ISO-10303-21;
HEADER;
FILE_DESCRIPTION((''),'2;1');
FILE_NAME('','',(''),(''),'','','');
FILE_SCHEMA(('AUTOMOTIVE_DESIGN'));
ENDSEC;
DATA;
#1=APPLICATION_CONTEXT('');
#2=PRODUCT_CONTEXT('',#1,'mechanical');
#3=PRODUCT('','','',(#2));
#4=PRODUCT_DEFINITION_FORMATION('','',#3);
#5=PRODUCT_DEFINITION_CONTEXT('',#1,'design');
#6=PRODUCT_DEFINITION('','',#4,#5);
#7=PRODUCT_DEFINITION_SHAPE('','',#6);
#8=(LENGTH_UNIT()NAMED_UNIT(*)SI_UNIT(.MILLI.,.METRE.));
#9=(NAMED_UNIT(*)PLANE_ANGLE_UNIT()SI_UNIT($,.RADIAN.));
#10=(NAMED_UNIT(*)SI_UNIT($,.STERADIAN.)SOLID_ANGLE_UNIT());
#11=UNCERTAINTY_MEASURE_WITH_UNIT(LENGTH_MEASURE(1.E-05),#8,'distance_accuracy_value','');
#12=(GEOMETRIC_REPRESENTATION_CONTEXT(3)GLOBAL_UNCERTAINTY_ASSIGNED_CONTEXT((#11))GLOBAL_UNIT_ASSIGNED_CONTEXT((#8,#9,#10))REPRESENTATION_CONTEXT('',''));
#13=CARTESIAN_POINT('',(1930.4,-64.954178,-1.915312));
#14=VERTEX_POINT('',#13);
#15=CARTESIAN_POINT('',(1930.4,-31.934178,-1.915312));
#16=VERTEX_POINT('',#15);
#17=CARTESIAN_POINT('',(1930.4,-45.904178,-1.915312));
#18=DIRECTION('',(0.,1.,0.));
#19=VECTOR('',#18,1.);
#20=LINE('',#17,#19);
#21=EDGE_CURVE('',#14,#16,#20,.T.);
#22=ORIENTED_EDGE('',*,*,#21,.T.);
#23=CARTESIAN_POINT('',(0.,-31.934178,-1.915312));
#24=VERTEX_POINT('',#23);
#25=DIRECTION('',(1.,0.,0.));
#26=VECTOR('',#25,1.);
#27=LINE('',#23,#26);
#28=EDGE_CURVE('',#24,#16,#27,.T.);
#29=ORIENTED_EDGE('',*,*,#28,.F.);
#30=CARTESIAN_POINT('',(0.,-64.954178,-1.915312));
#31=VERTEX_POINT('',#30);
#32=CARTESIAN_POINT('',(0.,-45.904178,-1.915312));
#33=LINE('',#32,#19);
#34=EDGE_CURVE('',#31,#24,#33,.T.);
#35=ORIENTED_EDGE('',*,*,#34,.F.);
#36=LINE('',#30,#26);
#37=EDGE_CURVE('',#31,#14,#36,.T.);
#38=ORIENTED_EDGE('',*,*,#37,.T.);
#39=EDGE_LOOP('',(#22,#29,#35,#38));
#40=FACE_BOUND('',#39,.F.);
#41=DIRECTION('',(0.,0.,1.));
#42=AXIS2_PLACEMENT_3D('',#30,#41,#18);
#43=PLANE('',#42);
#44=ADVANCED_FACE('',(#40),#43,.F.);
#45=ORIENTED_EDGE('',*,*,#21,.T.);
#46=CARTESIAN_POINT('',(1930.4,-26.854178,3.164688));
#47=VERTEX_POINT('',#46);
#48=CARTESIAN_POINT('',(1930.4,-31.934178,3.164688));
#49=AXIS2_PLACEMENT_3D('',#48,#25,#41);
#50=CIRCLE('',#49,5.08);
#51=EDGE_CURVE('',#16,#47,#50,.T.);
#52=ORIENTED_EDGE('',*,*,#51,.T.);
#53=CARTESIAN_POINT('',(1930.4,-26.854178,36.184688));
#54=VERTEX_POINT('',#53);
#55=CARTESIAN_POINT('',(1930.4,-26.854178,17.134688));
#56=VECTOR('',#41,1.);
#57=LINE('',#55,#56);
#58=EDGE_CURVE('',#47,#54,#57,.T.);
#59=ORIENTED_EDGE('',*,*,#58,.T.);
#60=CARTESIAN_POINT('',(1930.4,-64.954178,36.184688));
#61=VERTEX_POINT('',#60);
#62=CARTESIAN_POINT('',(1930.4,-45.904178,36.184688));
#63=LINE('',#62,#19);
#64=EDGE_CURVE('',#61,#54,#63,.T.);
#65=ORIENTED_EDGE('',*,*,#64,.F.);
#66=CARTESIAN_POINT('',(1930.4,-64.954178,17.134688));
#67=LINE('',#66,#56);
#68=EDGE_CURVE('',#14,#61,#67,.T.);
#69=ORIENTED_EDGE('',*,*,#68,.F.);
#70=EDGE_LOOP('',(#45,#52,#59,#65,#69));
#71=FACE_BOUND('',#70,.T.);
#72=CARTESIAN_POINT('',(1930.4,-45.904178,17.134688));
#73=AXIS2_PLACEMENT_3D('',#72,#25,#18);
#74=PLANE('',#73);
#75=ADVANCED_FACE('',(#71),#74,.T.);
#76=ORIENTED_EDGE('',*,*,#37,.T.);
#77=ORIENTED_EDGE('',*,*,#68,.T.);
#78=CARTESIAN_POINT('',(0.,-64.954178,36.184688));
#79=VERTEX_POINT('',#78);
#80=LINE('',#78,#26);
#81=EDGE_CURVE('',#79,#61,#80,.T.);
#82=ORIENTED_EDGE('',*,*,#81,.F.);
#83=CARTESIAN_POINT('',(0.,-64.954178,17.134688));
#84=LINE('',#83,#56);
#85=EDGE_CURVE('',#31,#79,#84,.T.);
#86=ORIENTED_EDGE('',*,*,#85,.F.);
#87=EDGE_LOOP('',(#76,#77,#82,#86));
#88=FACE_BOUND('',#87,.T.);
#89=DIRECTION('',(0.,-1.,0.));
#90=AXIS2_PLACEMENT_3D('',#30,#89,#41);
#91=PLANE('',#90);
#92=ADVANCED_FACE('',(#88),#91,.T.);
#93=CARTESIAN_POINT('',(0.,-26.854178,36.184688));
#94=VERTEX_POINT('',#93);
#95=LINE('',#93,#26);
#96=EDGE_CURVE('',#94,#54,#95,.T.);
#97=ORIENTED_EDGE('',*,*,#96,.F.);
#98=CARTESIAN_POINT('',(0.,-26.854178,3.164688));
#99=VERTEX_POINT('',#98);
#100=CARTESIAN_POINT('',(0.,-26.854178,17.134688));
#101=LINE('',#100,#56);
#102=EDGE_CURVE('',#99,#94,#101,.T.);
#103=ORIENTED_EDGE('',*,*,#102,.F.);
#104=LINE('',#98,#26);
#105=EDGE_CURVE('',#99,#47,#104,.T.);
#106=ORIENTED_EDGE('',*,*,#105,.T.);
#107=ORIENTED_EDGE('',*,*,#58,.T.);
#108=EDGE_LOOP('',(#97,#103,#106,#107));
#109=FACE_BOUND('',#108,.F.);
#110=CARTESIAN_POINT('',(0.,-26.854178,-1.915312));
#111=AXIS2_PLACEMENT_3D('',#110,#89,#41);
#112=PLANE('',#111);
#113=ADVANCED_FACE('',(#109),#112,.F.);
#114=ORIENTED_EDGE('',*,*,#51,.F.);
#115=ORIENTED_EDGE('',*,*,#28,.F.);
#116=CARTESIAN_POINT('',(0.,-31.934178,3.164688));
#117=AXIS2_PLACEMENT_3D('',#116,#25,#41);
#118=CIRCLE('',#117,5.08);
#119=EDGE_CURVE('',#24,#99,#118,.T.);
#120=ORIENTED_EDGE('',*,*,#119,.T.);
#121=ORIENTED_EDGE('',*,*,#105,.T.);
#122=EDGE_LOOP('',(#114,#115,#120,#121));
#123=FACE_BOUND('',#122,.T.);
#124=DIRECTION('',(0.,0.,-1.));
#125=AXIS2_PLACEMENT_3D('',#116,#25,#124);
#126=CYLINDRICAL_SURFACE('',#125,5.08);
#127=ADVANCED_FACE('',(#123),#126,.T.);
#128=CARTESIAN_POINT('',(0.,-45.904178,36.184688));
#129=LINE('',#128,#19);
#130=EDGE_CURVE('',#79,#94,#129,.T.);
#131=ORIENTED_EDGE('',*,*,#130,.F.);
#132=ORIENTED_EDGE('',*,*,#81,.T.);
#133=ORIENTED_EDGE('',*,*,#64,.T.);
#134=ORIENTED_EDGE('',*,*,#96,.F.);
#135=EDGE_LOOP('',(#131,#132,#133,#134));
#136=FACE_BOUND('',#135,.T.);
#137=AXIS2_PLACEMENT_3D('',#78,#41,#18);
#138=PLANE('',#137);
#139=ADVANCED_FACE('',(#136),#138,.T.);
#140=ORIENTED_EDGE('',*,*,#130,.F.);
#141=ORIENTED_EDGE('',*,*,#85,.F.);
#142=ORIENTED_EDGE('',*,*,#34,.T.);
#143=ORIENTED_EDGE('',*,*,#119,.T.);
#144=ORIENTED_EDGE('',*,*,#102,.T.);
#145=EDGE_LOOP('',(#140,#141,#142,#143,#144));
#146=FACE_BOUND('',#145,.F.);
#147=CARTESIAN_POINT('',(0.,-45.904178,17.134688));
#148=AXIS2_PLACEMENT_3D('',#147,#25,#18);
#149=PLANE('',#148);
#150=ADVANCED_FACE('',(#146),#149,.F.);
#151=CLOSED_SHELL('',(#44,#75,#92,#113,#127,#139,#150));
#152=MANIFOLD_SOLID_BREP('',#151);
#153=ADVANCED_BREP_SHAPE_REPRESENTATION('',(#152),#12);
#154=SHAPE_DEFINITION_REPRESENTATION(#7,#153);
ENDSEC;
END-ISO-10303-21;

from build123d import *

# Parameters (mm, degrees)
F0_W     = 38.1
F0_H     = 38.1
F1_DEPTH = 1930.4
F2_R     = 5.08


with BuildPart() as f1:
    # F0 (on Right) → F1 (new body)
    with BuildSketch(Plane.YZ):
        with Locations((-45.904178, 17.134688)):
            Rectangle(F0_W, F0_H)
    extrude(amount=F1_DEPTH)

    # F2
    f2_edges = [f1.edges().sort_by_distance(p)[0] for p in [
        (965.2, -26.854178, -1.915312),
    ]]
    fillet(f2_edges, radius=F2_R)


solid = f1.part
